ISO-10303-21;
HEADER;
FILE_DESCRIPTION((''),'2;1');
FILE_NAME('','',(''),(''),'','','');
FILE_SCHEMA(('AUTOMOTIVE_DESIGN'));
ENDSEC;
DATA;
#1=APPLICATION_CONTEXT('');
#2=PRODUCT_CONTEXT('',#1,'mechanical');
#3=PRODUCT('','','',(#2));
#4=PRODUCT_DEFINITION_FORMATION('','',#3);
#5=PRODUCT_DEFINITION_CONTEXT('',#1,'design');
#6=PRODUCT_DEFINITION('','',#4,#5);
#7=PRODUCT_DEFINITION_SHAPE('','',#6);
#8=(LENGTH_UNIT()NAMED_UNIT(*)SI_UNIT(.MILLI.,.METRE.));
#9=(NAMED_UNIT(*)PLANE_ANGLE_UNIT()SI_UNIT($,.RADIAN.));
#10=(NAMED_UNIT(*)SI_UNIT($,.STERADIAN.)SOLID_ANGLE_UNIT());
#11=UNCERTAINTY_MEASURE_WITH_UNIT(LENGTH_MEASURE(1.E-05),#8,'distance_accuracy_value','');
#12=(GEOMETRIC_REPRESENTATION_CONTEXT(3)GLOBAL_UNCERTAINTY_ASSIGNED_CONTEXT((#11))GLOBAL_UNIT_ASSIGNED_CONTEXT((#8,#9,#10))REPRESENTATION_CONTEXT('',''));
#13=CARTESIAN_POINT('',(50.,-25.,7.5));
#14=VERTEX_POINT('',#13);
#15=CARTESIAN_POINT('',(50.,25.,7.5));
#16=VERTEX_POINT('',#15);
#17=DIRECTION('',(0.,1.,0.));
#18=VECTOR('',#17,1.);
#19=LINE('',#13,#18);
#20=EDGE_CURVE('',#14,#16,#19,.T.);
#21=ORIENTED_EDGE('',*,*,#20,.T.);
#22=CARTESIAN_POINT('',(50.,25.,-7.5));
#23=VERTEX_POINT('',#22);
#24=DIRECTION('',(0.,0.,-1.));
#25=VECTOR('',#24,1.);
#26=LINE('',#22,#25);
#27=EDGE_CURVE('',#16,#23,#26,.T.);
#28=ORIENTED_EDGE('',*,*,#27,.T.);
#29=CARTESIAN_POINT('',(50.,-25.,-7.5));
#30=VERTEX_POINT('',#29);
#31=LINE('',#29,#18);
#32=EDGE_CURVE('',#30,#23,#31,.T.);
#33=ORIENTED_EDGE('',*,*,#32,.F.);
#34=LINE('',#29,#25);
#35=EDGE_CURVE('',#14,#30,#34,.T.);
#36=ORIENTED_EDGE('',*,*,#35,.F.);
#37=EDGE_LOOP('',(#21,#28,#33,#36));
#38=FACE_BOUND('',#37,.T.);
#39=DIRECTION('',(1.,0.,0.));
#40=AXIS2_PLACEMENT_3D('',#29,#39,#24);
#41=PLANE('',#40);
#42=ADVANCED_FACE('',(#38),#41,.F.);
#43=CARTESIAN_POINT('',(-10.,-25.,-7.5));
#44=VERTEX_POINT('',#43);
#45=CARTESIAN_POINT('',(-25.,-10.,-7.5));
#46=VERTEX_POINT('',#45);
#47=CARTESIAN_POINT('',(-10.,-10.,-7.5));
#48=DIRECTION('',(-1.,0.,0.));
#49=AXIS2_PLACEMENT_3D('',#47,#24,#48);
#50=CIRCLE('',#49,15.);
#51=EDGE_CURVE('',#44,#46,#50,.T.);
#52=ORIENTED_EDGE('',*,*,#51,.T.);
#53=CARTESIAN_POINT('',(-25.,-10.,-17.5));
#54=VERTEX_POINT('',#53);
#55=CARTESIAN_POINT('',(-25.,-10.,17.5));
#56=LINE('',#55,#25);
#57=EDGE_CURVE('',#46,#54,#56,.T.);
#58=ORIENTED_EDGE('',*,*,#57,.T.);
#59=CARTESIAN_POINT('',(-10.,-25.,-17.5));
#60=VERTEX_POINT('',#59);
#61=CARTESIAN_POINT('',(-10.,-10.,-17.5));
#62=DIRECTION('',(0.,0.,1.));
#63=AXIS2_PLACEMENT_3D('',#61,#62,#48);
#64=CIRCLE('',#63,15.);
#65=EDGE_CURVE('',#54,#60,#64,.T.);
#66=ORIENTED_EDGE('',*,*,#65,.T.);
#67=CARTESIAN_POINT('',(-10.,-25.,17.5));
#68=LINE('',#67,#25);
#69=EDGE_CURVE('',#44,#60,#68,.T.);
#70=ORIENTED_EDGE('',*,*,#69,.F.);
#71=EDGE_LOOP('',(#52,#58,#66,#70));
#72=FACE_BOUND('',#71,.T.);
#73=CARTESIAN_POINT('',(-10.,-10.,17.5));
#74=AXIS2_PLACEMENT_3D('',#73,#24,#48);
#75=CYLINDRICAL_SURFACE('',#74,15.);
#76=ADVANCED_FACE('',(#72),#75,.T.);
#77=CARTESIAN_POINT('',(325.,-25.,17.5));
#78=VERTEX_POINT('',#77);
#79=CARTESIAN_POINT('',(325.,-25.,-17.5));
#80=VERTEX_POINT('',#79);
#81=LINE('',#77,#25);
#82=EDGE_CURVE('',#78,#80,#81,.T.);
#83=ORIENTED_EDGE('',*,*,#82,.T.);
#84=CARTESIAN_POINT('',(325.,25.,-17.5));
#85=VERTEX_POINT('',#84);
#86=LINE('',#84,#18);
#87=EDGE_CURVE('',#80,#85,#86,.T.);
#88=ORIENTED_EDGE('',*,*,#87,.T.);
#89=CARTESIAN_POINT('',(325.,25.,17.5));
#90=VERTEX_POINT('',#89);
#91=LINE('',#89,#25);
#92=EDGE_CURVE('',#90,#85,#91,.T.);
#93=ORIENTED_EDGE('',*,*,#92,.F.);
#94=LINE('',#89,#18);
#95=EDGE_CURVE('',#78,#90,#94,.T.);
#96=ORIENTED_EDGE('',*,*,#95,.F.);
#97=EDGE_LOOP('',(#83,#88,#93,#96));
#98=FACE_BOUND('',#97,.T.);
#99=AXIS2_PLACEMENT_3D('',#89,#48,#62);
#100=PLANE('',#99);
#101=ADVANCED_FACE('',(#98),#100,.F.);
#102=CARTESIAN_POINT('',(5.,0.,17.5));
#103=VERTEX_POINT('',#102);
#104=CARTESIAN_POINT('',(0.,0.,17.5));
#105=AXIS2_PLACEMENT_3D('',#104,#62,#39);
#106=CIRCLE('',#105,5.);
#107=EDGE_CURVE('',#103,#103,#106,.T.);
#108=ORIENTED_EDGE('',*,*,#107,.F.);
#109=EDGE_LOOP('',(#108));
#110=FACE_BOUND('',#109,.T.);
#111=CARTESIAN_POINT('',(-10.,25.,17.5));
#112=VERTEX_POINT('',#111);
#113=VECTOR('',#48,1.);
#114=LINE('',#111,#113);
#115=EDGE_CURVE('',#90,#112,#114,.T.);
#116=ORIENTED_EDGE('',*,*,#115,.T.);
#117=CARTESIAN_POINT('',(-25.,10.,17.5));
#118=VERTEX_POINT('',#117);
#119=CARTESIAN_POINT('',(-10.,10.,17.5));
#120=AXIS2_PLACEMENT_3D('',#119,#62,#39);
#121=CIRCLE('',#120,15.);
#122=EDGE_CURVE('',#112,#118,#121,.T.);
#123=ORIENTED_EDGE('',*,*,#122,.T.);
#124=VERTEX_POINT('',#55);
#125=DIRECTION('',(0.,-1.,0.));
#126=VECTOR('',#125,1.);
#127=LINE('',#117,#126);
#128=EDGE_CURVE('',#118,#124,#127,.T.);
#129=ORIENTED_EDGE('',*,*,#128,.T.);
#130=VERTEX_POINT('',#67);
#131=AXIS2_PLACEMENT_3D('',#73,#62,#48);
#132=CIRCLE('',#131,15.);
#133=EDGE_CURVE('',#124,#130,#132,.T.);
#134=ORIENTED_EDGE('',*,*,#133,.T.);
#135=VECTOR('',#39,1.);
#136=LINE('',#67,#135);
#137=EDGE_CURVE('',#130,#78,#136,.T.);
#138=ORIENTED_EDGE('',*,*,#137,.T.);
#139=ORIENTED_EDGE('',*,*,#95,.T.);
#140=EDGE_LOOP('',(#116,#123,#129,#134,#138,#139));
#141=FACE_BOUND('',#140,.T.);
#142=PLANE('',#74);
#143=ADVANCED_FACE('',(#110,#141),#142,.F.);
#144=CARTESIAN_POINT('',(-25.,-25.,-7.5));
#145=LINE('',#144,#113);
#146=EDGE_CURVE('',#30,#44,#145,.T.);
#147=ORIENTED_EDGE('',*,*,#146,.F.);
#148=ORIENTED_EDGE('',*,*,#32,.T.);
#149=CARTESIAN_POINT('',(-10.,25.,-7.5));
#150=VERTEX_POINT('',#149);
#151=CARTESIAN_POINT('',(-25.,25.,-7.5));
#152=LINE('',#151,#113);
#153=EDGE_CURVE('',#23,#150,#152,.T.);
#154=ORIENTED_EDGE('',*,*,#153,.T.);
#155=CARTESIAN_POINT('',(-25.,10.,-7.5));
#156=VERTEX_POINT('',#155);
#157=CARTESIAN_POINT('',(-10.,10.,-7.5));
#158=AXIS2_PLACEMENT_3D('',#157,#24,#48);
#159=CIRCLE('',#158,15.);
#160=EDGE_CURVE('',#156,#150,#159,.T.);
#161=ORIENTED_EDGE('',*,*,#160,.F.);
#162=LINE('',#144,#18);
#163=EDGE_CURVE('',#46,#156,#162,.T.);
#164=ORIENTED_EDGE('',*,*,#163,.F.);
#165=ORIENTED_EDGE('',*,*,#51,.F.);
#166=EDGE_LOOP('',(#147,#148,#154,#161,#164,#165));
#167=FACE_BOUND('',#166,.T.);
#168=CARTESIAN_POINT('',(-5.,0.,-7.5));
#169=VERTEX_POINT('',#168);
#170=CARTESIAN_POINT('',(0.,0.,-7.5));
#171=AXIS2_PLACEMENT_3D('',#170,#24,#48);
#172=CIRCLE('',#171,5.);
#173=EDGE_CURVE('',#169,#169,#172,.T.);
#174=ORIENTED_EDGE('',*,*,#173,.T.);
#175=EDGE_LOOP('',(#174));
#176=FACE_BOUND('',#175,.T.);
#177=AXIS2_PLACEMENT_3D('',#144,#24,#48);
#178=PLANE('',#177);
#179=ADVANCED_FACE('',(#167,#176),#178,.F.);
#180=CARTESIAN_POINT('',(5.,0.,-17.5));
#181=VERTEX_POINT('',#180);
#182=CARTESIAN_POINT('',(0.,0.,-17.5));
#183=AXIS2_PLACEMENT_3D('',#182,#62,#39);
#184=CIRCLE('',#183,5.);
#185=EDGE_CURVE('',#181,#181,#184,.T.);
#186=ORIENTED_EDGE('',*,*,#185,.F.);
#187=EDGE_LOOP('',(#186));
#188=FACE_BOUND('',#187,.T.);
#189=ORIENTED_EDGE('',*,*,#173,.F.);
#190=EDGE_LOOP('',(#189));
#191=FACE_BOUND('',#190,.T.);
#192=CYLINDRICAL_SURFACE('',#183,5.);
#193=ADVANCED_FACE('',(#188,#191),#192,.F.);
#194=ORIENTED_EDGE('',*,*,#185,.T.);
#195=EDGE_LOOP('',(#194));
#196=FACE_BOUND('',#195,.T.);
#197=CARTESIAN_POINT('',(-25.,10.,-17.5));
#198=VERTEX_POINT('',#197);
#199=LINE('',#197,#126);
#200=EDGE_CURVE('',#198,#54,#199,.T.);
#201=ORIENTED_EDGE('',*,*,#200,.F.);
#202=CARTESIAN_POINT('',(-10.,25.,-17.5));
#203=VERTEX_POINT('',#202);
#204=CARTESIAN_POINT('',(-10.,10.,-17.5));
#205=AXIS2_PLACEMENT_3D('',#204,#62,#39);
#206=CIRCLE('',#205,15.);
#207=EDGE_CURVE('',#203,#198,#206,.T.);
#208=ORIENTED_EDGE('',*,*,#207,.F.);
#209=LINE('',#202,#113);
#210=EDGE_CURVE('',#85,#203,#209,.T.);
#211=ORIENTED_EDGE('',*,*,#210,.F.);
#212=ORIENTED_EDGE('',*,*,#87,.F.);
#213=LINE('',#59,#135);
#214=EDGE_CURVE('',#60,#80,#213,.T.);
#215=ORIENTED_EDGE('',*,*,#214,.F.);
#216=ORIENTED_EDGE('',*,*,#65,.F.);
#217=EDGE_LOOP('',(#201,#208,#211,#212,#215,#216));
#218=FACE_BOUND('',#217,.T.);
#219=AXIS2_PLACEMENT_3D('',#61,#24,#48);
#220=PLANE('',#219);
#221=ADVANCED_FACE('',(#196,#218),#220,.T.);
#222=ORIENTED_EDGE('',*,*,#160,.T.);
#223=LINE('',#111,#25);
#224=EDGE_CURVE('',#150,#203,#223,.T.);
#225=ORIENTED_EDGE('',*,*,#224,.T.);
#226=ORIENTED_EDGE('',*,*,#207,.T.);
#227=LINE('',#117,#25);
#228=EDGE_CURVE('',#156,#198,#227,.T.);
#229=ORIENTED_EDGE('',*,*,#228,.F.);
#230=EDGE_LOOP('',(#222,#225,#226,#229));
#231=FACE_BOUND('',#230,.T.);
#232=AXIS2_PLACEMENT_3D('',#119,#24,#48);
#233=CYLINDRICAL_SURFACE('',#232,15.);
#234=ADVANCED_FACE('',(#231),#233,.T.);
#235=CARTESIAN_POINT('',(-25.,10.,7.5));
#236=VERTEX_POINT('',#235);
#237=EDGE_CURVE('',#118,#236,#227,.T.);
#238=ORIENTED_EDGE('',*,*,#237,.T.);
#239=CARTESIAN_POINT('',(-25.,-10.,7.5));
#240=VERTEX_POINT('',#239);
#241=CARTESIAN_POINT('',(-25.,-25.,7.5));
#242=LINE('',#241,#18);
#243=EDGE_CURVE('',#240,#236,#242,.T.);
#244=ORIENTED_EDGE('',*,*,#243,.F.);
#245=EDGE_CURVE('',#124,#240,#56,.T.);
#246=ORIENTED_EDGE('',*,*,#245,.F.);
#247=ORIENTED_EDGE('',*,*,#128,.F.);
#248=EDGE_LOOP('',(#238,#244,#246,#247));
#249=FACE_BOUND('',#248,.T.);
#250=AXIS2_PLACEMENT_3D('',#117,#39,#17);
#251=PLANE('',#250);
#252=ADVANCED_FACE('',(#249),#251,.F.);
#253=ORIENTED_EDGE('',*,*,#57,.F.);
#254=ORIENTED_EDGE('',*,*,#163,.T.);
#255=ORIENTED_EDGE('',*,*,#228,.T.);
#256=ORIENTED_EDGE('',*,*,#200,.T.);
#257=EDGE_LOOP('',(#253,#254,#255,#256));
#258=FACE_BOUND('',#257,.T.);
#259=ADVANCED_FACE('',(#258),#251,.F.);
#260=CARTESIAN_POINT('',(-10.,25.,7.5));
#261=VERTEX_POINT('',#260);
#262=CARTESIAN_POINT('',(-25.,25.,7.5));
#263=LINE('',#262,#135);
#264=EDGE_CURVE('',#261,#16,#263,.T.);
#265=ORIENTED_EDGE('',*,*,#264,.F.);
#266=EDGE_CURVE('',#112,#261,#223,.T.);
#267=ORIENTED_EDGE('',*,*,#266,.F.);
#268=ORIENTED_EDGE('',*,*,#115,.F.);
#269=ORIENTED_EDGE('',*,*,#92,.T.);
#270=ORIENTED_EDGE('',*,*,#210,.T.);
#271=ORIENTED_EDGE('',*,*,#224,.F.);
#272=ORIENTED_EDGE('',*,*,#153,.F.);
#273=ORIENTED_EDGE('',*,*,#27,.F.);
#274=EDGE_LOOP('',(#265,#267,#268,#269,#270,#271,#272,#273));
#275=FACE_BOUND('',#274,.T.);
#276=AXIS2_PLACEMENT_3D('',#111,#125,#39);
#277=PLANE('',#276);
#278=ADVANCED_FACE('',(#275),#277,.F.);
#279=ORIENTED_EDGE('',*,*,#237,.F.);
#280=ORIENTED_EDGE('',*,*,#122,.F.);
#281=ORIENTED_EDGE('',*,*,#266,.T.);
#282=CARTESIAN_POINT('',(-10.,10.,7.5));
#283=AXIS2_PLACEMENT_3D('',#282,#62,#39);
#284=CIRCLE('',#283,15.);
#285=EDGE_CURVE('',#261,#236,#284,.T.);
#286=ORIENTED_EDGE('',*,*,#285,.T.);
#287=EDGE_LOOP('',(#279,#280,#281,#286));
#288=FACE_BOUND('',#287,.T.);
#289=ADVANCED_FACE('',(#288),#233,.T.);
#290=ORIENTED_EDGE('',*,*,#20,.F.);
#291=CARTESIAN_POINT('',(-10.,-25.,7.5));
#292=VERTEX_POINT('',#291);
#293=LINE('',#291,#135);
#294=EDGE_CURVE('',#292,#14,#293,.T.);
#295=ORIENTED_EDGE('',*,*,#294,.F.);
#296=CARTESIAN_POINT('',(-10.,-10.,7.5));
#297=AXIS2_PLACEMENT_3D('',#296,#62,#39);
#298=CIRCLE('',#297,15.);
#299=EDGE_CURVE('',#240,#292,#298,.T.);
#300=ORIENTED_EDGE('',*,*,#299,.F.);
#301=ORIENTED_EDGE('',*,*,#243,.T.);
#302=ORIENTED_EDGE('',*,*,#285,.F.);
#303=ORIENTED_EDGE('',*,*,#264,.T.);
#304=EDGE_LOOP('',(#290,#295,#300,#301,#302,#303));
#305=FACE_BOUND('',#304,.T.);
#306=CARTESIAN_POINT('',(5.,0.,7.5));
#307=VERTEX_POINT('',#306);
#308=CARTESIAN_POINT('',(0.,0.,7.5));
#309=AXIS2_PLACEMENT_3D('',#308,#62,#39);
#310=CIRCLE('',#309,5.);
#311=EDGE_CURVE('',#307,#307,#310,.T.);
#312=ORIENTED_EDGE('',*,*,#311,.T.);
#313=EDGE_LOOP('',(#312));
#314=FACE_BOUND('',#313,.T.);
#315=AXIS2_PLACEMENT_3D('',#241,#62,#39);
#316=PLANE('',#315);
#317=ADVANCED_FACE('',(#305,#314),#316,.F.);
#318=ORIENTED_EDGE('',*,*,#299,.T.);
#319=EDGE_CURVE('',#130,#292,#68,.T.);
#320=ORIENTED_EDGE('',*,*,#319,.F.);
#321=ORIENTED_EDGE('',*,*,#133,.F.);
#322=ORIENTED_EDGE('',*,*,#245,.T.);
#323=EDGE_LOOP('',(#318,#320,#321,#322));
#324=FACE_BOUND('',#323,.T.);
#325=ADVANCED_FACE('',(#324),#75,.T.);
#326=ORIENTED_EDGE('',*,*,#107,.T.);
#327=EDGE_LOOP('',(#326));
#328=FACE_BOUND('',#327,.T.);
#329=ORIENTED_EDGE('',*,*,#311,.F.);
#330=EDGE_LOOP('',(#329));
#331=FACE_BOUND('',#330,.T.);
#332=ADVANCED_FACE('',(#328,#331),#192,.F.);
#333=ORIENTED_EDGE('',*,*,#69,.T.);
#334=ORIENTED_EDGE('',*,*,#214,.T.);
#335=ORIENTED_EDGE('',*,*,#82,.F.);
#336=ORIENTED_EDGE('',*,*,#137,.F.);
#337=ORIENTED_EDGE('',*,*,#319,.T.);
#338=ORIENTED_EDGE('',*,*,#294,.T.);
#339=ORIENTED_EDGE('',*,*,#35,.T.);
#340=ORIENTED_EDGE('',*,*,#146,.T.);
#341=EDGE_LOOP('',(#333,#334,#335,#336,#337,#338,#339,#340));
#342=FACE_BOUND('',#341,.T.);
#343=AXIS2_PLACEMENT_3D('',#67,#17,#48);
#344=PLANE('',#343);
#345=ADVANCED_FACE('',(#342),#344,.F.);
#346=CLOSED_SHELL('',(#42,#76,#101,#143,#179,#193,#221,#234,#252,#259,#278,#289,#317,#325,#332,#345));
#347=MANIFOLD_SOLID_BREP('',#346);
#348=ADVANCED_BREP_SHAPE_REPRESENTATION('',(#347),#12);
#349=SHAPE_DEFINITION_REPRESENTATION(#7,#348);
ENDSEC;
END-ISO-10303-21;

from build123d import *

# Parameters (mm, degrees)
EXTRUDE1_DEPTH          = 17.5
SKETCH2_W               = 75
SKETCH2_H               = 15
CUT_EXTRUDE1_DEPTH      = 330.289006801
CUT_EXTRUDE2_DEPTH      = 327.429548295
CUT_EXTRUDE2_DEPTH_BACK = 327.429548295
SKETCH3_R               = 5


with BuildPart() as part:
    # Sketch1 → Extrude1 (new, symmetric)
    with BuildSketch(Plane.XY):
        with BuildLine():
            Line((-10, 25), (325, 25))
            Line((325, 25), (325, -25))
            Line((325, -25), (-10, -25))
            ThreePointArc((-10, -25), (-20.606601718, -20.606601718), (-25, -10))
            Line((-25, -10), (-25, 10))
            ThreePointArc((-25, 10), (-20.606601718, 20.606601718), (-10, 25))
        make_face()
    extrude(amount=EXTRUDE1_DEPTH, both=True)

    # Sketch2 → Cut-Extrude1 (cut, through all)
    with BuildSketch(Plane(origin=(0, 25, 0), x_dir=(-1, 0, 0), z_dir=(0, 1, 0))):
        with Locations((-12.5, 0)):
            Rectangle(SKETCH2_W, SKETCH2_H)
    extrude(amount=-CUT_EXTRUDE1_DEPTH, mode=Mode.SUBTRACT)

    # Sketch3 → Cut-Extrude2 (cut, two sides: drawn at the far end of the back side and taken through both)
    with BuildSketch(Plane.XY.offset(-CUT_EXTRUDE2_DEPTH_BACK)):
        Circle(SKETCH3_R)
    extrude(amount=CUT_EXTRUDE2_DEPTH + CUT_EXTRUDE2_DEPTH_BACK, mode=Mode.SUBTRACT)


solid = part.part
